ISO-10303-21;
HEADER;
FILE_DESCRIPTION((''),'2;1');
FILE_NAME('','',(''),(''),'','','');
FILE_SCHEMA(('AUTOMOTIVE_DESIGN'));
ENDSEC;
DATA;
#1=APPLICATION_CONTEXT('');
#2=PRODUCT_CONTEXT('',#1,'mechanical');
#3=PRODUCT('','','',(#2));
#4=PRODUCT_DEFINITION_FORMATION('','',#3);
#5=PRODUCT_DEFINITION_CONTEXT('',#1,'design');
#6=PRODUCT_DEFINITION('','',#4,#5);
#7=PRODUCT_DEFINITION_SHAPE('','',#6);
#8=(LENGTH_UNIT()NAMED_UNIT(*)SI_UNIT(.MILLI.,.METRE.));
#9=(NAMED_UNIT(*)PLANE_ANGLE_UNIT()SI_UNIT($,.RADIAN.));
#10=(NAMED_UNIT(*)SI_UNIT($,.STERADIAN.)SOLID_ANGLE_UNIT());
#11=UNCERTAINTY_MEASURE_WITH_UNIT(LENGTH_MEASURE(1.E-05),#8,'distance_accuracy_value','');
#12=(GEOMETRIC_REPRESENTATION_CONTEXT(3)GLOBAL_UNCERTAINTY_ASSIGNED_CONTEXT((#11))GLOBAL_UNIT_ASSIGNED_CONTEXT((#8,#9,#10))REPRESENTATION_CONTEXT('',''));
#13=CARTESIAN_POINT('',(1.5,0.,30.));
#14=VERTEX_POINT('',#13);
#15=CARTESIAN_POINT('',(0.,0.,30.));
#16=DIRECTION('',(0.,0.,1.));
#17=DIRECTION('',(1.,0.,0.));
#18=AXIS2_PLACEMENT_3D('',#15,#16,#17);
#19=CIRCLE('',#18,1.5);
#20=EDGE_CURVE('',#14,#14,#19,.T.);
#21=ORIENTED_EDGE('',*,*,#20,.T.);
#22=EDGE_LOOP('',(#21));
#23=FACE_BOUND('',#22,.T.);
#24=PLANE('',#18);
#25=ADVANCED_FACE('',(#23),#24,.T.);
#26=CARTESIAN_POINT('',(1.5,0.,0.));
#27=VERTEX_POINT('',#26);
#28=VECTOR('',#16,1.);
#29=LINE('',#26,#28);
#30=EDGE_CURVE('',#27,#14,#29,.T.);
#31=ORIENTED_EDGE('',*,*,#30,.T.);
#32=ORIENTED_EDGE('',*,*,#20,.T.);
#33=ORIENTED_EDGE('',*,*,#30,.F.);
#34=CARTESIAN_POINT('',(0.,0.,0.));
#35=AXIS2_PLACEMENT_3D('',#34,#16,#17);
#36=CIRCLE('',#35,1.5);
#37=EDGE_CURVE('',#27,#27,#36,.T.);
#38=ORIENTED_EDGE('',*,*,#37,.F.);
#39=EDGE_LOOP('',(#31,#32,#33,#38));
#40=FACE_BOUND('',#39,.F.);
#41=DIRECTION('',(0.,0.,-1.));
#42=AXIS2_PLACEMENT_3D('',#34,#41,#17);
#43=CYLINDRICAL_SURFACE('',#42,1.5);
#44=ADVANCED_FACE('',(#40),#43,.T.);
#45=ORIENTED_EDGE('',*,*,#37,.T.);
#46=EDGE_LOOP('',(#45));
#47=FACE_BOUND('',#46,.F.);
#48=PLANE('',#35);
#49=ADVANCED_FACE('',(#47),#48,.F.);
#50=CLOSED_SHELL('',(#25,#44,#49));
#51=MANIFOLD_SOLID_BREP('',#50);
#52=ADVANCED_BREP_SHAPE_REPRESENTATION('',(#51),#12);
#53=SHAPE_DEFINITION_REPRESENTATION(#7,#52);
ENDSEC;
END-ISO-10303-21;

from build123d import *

# Parameters (mm, degrees)
SKETCH_1_R      = 1.5
EXTRUDE_1_DEPTH = 30


with BuildPart() as part:
    # ｽｹｯﾁ1 → ﾎﾞｽ - 押し出し1 (new body)
    with BuildSketch(Plane.XY):
        Circle(SKETCH_1_R)
    extrude(amount=EXTRUDE_1_DEPTH)


solid = part.part
